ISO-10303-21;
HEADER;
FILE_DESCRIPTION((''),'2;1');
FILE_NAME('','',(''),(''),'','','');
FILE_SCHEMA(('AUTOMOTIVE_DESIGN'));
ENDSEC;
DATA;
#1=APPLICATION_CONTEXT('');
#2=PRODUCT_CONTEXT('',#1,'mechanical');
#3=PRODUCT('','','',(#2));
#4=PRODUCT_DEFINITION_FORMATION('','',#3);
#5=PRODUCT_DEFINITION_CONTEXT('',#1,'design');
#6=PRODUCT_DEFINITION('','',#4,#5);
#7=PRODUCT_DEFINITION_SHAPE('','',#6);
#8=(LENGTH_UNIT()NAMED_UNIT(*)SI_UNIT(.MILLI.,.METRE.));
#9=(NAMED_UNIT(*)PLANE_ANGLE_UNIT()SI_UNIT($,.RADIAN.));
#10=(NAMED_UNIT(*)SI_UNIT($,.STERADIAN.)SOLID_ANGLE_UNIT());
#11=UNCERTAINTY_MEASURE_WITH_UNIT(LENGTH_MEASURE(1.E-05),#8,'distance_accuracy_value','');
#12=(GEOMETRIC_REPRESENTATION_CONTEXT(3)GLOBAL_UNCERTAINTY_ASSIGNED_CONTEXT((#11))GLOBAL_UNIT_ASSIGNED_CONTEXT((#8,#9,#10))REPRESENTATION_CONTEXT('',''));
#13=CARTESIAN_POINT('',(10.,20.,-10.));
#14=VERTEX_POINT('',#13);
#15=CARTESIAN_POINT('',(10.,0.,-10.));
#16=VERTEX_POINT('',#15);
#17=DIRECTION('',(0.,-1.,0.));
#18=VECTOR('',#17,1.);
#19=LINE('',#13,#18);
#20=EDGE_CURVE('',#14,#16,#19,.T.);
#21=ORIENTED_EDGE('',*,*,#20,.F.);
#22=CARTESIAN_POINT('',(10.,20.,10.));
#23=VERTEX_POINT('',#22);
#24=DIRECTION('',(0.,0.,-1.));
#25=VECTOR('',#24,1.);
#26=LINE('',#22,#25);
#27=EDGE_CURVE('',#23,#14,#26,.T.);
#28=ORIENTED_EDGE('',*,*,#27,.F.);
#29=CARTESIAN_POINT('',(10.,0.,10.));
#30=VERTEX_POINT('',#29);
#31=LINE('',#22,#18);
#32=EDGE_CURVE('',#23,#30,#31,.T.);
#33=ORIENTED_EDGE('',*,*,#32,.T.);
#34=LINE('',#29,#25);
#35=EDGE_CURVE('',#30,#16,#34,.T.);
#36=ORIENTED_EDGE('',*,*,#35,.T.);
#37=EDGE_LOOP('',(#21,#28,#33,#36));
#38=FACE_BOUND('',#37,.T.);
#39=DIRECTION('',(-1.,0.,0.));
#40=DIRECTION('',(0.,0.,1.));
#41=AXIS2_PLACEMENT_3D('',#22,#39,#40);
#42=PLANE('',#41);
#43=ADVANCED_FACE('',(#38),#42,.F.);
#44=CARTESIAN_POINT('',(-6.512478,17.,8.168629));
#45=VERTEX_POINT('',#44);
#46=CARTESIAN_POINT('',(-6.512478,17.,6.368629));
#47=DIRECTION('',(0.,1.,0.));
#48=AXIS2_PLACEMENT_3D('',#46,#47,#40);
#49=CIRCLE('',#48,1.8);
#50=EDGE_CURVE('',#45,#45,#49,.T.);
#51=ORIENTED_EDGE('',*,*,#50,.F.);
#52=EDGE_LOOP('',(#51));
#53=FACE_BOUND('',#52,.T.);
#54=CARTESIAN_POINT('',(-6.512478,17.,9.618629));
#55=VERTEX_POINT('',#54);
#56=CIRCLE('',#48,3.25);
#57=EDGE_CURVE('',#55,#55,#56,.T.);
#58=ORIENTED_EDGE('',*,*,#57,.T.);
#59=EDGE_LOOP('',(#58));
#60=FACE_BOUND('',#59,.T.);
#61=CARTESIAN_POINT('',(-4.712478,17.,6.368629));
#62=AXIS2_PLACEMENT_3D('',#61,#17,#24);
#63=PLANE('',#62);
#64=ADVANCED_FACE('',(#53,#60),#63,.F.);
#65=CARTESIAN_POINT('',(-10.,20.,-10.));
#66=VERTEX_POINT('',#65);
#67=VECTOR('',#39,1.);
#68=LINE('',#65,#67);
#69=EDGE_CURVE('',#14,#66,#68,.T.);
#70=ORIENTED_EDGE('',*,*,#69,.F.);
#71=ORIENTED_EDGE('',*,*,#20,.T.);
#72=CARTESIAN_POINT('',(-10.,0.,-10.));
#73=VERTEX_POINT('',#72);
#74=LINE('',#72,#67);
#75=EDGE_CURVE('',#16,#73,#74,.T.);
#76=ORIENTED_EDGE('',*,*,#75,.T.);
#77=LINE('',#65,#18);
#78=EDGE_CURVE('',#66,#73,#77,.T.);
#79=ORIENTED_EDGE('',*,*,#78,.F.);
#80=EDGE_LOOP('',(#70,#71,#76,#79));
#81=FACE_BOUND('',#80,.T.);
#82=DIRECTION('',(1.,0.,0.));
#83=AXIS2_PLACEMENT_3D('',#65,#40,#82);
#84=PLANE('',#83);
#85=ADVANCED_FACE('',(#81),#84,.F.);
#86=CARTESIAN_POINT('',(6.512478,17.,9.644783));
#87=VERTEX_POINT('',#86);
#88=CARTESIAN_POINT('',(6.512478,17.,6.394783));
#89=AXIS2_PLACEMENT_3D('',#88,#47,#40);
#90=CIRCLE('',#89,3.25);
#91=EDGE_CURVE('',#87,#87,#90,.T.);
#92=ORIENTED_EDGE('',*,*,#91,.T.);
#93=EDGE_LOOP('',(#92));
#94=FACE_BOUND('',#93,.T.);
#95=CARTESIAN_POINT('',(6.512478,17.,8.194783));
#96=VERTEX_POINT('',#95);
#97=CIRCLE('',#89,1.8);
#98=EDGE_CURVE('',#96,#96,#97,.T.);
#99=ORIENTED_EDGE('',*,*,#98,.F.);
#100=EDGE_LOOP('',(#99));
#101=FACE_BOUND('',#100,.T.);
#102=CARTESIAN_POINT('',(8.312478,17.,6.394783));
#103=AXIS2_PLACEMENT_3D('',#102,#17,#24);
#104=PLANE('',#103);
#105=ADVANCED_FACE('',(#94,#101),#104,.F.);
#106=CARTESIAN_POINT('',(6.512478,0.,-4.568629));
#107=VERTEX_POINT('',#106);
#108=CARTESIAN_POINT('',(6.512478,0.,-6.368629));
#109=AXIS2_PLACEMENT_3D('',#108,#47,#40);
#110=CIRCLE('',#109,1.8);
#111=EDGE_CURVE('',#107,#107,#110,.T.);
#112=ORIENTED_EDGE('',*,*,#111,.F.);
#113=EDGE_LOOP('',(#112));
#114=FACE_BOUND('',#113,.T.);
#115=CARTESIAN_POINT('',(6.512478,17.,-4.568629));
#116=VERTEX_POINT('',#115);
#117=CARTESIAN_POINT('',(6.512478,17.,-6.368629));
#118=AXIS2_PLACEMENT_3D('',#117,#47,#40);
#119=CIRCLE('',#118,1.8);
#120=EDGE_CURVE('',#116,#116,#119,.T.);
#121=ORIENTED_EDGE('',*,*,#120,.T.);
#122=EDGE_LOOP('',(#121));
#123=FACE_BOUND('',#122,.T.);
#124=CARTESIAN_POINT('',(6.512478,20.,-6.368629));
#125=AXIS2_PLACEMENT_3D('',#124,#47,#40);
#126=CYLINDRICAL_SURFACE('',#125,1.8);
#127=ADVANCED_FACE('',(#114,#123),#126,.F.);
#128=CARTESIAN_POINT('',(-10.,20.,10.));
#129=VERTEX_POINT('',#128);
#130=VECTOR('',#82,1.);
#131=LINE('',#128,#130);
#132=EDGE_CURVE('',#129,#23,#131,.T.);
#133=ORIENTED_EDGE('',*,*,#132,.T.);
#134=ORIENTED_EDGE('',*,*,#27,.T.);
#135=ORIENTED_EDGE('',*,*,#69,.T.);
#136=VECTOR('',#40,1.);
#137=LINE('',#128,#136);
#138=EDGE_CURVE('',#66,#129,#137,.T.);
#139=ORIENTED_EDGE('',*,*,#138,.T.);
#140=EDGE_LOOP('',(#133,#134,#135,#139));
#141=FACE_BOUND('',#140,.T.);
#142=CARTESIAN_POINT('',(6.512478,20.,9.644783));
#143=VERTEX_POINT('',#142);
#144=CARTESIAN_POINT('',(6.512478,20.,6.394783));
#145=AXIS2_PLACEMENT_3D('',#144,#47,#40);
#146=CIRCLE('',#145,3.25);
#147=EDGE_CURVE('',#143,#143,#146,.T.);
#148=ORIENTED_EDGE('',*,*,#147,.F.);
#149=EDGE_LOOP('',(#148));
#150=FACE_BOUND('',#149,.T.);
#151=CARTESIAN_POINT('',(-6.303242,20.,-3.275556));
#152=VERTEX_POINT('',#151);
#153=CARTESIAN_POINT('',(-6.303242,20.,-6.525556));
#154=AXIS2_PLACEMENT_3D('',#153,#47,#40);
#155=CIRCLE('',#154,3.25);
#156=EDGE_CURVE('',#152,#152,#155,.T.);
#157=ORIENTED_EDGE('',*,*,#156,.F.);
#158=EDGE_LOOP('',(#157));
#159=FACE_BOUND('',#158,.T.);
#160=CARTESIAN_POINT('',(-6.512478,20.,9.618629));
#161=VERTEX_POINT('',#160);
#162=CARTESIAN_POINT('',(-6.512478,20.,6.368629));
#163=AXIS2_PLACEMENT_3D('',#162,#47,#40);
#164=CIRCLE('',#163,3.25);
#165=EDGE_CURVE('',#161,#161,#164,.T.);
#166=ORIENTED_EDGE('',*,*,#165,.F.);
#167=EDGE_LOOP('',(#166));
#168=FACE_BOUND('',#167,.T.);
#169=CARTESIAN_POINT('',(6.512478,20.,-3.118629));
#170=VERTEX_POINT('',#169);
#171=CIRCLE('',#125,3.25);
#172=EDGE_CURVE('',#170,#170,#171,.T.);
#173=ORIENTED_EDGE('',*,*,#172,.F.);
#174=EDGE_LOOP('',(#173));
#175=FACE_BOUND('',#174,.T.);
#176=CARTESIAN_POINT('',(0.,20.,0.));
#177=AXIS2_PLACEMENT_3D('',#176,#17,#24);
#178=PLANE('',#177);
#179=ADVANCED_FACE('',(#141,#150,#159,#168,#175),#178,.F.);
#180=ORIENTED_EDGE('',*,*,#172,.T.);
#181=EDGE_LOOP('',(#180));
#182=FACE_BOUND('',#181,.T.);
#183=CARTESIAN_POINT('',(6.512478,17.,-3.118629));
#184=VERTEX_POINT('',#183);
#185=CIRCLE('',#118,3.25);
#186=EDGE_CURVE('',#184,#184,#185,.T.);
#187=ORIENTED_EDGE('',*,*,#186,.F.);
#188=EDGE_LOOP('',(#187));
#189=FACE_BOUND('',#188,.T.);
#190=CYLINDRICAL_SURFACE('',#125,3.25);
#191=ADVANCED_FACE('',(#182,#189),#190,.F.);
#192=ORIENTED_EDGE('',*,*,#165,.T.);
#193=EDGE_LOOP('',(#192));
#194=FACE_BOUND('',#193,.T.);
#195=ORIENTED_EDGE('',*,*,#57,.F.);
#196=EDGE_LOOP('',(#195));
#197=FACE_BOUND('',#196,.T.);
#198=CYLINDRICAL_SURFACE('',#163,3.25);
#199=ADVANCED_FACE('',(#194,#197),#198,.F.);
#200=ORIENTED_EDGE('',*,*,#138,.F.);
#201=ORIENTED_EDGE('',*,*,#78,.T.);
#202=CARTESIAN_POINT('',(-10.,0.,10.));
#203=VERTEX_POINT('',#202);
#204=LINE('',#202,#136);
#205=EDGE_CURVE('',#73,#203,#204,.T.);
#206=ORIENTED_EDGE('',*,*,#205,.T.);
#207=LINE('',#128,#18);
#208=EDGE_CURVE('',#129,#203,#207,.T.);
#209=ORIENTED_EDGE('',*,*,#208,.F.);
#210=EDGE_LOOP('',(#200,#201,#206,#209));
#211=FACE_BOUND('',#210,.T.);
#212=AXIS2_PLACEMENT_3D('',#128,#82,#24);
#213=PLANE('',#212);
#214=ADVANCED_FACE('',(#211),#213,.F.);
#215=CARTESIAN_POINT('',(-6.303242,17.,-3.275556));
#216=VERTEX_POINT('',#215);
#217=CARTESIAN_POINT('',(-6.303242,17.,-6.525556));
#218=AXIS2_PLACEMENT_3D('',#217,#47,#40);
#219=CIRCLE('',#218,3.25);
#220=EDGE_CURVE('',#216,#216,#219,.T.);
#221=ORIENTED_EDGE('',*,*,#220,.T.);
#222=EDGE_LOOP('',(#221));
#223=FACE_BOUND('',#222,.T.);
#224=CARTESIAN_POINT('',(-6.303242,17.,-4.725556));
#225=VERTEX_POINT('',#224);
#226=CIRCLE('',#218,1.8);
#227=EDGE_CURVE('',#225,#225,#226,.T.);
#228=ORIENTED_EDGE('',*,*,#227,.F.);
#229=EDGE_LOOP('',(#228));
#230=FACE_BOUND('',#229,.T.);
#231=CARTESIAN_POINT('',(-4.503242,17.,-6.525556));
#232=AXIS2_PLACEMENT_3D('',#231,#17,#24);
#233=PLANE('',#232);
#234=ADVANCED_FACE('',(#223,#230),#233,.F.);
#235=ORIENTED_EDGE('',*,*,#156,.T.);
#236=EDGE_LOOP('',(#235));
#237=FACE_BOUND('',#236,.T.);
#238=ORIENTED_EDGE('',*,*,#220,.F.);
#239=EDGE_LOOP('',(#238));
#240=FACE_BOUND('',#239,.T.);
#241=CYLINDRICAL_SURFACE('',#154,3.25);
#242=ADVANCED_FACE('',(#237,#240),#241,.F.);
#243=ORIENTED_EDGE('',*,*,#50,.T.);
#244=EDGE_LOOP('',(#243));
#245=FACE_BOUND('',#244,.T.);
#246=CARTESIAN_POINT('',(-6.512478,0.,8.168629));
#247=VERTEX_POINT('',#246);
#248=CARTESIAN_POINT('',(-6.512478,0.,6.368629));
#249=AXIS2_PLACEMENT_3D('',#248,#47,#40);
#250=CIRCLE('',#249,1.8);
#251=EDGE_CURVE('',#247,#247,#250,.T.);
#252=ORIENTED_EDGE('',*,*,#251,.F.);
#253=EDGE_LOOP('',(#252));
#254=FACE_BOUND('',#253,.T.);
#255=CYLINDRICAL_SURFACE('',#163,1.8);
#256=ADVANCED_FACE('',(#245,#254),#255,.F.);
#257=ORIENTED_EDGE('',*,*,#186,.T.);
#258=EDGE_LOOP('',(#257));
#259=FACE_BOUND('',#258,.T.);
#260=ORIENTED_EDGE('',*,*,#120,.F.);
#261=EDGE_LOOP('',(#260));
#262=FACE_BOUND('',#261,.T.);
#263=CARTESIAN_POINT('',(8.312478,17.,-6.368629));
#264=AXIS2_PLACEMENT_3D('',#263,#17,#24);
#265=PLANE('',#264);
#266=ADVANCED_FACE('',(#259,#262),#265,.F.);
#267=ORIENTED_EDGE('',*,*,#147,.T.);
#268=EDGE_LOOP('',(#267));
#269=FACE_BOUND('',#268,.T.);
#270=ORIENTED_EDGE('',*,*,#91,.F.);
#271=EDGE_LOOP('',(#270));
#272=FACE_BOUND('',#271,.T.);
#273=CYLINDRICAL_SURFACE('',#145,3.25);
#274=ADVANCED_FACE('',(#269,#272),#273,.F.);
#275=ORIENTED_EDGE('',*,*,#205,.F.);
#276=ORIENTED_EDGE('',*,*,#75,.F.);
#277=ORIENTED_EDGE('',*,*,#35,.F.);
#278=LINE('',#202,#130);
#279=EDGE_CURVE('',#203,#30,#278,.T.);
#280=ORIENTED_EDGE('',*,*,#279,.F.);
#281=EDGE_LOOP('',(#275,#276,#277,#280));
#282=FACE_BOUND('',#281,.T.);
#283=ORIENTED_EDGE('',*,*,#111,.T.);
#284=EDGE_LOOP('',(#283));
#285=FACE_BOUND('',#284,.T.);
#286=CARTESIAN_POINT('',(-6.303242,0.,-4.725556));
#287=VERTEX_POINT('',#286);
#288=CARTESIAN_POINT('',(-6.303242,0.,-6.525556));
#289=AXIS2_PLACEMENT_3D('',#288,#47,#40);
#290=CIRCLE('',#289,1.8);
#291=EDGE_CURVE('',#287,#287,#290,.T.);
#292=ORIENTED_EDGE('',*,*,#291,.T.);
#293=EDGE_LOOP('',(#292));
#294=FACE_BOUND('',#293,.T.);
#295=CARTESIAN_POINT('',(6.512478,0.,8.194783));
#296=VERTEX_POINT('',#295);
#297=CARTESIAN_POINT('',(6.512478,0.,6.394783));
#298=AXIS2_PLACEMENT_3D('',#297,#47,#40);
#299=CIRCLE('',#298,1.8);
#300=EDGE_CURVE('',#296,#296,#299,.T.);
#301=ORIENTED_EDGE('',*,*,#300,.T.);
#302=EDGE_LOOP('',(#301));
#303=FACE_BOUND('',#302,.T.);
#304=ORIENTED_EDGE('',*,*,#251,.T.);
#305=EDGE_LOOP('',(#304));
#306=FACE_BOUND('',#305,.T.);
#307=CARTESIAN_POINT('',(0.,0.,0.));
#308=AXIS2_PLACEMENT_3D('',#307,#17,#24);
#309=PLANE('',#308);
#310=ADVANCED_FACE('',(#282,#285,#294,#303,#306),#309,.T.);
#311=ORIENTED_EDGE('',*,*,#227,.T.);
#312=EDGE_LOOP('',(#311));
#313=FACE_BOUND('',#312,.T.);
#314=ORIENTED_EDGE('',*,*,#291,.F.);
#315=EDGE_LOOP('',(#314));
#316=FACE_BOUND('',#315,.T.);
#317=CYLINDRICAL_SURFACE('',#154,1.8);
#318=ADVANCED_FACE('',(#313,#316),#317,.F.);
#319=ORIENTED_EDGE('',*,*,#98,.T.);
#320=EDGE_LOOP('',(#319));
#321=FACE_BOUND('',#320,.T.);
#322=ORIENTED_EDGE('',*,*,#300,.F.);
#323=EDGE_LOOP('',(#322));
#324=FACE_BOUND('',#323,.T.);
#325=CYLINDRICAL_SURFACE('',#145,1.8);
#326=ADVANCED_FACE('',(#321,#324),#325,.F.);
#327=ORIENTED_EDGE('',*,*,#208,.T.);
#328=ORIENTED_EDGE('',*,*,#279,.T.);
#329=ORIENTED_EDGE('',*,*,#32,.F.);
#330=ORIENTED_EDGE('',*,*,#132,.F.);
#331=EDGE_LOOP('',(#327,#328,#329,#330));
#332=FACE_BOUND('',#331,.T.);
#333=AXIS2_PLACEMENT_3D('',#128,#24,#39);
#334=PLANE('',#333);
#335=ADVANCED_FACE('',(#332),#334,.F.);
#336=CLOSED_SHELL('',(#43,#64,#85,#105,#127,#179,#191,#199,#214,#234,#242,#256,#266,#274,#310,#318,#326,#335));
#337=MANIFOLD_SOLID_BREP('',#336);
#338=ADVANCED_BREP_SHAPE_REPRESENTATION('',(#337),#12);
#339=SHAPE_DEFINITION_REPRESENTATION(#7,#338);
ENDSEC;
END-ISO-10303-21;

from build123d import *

# Parameters (mm, degrees)
ESBO_O1_W                         = 20
ESBO_O1_H                         = 20
RESSALTO_EXTRUS_O1_DEPTH          = 20
REBAIXO_PARA_SHCS_M32_D           = 3.6
REBAIXO_PARA_SHCS_M32_CBORE_D     = 6.5
REBAIXO_PARA_SHCS_M32_CBORE_DEPTH = 3


with BuildPart() as part:
    # Esboço1 → Ressalto-extrusão1 (new body)
    with BuildSketch(Plane(origin=(0, 0, 0), x_dir=(1, 0, 0), z_dir=(0, 1, 0))):
        Rectangle(ESBO_O1_W, ESBO_O1_H)
    extrude(amount=RESSALTO_EXTRUS_O1_DEPTH)

    # Rebaixo para SHCS M32 (through all)
    with Locations(Plane(origin=(-6.303242204, 20, -6.525555725), x_dir=(0, 0, 1), z_dir=(0, 1, 0))):
        with Locations((0, 0), (0.156927192, 12.815720663), (12.92033879, 12.815720663), (12.894184258, -0.209236255)):
            CounterBoreHole(REBAIXO_PARA_SHCS_M32_D / 2, REBAIXO_PARA_SHCS_M32_CBORE_D / 2, REBAIXO_PARA_SHCS_M32_CBORE_DEPTH)


solid = part.part
